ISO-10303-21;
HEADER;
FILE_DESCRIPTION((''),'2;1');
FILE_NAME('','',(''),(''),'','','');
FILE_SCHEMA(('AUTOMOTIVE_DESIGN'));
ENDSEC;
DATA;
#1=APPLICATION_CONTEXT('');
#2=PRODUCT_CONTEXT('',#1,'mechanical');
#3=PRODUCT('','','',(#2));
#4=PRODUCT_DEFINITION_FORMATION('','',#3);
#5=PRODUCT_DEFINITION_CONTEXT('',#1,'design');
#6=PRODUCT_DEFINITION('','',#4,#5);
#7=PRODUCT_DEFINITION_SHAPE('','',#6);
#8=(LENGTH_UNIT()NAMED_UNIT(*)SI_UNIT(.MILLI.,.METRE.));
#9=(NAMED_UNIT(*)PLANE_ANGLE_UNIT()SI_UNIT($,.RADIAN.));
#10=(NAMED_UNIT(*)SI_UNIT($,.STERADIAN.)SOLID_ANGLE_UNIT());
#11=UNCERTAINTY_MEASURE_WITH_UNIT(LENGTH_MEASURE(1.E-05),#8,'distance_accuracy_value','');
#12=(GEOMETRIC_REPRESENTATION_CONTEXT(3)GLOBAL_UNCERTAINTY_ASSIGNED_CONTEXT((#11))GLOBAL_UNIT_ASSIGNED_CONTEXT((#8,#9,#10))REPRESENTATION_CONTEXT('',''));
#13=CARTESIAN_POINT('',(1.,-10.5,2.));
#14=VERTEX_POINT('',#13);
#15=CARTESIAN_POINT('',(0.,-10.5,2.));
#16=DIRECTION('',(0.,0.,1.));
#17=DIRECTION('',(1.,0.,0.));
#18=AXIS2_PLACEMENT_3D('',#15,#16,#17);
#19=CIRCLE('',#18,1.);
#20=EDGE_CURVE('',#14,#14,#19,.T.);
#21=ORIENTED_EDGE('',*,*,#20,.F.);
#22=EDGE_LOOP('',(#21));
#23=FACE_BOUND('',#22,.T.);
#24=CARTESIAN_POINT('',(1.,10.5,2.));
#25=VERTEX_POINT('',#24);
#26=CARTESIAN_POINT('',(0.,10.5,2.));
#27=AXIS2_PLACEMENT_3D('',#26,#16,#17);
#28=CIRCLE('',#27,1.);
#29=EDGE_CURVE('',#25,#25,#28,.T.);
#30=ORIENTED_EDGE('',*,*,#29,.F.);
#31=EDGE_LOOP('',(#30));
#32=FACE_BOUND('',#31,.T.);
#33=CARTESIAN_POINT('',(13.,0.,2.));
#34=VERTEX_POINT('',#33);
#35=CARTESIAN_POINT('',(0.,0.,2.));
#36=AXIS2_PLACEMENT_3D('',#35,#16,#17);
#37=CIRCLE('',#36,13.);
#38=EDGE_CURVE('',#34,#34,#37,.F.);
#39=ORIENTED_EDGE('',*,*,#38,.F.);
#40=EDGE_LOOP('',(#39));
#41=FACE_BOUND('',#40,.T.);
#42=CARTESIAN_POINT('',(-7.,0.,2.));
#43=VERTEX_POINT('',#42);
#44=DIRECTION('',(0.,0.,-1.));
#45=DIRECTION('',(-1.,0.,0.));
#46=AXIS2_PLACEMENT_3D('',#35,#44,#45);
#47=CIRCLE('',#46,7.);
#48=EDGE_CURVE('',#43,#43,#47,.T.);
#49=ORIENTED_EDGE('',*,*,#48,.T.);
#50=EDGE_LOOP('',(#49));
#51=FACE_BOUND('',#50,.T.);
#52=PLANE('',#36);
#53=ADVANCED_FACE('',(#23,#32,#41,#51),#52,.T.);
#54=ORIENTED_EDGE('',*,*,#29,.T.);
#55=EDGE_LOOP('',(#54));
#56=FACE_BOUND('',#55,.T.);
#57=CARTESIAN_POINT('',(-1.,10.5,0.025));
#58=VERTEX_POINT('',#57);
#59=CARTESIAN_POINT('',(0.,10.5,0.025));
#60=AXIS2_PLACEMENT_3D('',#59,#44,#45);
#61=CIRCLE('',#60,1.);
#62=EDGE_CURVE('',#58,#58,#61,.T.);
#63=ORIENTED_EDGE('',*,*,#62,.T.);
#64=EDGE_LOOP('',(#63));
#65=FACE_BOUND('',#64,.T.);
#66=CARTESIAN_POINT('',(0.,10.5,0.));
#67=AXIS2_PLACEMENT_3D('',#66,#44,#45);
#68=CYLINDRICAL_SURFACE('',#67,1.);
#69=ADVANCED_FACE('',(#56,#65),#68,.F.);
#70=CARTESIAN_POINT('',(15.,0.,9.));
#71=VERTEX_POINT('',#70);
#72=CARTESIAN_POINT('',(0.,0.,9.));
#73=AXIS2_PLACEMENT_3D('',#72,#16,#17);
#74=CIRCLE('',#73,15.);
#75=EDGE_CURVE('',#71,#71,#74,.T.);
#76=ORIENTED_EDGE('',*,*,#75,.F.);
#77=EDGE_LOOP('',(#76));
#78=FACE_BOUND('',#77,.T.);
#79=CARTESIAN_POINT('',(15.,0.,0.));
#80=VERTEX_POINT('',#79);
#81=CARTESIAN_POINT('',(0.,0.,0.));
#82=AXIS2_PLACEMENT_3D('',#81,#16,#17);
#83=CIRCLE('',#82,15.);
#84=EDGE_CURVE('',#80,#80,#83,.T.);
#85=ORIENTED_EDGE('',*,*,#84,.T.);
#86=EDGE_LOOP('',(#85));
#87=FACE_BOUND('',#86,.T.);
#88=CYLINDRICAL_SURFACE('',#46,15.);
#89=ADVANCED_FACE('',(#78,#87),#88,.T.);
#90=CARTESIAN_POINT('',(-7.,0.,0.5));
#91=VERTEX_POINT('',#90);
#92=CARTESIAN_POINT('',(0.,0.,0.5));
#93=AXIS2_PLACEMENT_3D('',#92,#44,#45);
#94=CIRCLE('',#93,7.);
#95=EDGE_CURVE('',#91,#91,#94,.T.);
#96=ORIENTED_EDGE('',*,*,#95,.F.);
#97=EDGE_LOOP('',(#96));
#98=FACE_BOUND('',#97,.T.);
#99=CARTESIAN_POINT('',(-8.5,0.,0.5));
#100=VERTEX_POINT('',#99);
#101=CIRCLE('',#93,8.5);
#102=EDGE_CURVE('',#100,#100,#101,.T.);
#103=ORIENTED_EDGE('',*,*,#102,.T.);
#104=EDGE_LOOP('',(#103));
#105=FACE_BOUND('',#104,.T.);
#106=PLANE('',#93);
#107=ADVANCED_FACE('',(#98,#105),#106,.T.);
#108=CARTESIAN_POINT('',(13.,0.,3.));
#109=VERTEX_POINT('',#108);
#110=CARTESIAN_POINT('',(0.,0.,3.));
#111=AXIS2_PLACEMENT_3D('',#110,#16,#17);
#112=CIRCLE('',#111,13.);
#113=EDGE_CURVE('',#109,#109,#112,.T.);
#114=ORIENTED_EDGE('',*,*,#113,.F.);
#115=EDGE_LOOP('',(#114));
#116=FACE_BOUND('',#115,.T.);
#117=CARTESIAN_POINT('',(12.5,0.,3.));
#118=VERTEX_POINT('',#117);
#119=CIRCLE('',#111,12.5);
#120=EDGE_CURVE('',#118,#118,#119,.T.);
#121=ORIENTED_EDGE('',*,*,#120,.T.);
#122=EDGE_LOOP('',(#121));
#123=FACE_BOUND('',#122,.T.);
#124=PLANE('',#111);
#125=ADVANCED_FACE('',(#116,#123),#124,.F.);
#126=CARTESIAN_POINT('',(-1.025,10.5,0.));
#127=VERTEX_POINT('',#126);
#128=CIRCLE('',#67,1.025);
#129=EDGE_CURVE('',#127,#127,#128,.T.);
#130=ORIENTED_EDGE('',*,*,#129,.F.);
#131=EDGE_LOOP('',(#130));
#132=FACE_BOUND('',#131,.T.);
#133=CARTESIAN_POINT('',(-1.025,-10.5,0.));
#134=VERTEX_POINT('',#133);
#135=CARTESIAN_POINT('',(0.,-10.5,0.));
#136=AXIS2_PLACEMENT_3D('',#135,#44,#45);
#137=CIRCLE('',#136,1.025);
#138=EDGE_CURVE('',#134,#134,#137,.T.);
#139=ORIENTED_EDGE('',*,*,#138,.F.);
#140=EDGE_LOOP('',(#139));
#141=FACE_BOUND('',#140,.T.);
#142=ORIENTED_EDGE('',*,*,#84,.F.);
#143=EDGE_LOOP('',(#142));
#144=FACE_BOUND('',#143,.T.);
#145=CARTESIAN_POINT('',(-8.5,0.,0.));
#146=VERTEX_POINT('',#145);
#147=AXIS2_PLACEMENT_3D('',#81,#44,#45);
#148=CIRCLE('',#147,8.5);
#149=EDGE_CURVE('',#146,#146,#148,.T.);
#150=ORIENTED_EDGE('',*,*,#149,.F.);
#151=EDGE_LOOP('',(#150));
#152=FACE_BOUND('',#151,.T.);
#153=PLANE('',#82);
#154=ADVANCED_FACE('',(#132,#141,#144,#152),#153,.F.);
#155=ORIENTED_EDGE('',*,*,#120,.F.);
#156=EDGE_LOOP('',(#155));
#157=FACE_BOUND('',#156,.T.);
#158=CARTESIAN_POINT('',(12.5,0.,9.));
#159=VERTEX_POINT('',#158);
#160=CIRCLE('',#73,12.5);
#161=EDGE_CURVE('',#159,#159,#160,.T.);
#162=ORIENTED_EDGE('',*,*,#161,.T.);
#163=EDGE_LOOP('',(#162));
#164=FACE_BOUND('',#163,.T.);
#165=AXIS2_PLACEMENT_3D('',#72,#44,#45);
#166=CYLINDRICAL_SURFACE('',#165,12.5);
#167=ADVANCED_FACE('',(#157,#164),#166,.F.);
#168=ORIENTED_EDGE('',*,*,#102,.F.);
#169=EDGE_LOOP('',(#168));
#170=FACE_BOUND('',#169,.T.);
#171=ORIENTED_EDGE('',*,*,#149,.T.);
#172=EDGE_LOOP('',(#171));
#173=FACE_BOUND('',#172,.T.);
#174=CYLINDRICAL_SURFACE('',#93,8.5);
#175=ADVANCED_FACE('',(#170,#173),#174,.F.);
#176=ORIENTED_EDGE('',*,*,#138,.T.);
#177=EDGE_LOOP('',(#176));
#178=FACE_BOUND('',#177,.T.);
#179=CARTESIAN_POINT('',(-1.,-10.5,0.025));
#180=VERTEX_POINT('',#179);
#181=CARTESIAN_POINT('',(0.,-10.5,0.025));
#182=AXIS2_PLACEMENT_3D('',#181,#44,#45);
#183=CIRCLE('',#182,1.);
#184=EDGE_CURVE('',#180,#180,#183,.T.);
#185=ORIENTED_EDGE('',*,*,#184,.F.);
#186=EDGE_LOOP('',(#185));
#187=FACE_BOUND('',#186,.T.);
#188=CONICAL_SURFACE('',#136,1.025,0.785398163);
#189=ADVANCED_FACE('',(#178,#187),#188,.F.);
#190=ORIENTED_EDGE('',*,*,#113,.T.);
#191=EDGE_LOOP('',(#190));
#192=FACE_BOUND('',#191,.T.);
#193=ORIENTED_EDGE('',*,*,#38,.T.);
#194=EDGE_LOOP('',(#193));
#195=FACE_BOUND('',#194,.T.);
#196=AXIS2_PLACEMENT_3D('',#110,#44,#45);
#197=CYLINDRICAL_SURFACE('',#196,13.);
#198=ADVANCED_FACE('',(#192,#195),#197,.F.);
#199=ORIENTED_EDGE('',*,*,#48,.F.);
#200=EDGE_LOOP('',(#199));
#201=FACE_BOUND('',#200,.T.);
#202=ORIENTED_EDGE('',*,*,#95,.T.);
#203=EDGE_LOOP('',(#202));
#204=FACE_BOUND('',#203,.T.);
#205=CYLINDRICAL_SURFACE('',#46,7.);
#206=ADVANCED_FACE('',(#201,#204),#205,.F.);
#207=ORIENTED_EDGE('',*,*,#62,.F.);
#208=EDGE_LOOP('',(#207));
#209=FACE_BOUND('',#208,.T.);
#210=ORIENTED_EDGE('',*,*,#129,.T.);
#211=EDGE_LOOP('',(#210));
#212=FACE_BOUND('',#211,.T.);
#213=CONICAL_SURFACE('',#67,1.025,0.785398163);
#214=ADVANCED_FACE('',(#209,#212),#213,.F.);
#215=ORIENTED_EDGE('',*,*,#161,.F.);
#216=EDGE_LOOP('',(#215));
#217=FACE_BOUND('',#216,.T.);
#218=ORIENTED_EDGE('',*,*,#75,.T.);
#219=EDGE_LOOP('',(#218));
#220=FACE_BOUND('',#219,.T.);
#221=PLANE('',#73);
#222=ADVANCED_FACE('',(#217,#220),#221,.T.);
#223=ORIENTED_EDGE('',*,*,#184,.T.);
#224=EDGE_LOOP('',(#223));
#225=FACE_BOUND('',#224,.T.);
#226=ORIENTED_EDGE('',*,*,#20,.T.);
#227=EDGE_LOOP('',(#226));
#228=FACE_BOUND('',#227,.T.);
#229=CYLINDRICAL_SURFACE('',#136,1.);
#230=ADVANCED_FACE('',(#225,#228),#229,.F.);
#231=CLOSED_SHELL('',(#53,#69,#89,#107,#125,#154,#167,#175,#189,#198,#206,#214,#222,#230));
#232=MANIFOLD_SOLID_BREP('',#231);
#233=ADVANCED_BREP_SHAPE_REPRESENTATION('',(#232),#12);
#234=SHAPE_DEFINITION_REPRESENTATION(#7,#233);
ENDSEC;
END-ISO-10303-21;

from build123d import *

# Parameters (mm, degrees)
ESQUISSE1_R                             = 15
BOSS_EXTRU_1_DEPTH                      = 2
ESQUISSE2_R                             = 15
ESQUISSE2_R_2                           = 13
BOSS_EXTRU_2_DEPTH                      = 1
ESQUISSE3_R                             = 15
ESQUISSE3_R_2                           = 12.5
BOSS_EXTRU_3_DEPTH                      = 6
ESQUISSE5_R                             = 8.5
ENL_V_MAT_EXTRU_1_DEPTH                 = 0.5
ESQUISSE6_R                             = 7
ENL_V_MAT_EXTRU_2_DEPTH                 = 1.5
DIAM_TRE_DU_PER_AGE_2_0_2_1_D           = 2
DIAM_TRE_DU_PER_AGE_2_0_2_1_CSINK_D     = 2.05
DIAM_TRE_DU_PER_AGE_2_0_2_1_CSINK_ANGLE = 90


with BuildPart() as part:
    # Esquisse1 → Boss.-Extru.1 (new body)
    with BuildSketch(Plane.XY):
        Circle(ESQUISSE1_R)
    extrude(amount=BOSS_EXTRU_1_DEPTH)

    # Esquisse2 → Boss.-Extru.2 (add)
    with BuildSketch(Plane.XY.offset(2)):
        Circle(ESQUISSE2_R)
        Circle(ESQUISSE2_R_2, mode=Mode.SUBTRACT)
    extrude(amount=BOSS_EXTRU_2_DEPTH)

    # Esquisse3 → Boss.-Extru.3 (add)
    with BuildSketch(Plane.XY.offset(3)):
        Circle(ESQUISSE3_R)
        Circle(ESQUISSE3_R_2, mode=Mode.SUBTRACT)
    extrude(amount=BOSS_EXTRU_3_DEPTH)

    # Esquisse5 → Enlèv. mat.-Extru.1 (cut)
    with BuildSketch(Plane(origin=(0, 0, 0), x_dir=(-1, 0, 0), z_dir=(0, 0, -1))):
        Circle(ESQUISSE5_R)
    extrude(amount=-ENL_V_MAT_EXTRU_1_DEPTH, mode=Mode.SUBTRACT)

    # Esquisse6 → Enlèv. mat.-Extru.2 (cut)
    with BuildSketch(Plane(origin=(0, 0, 0.5), x_dir=(-1, 0, 0), z_dir=(0, 0, -1))):
        Circle(ESQUISSE6_R)
    extrude(amount=-ENL_V_MAT_EXTRU_2_DEPTH, mode=Mode.SUBTRACT)

    # Diamètre du perçage Ø2.0 (2)1 (through all)
    with Locations(Plane(origin=(0, 0, 0), x_dir=(-1, 0, 0), z_dir=(0, 0, -1))):
        with Locations((0, -10.5), (0, 10.5)):
            CounterSinkHole(DIAM_TRE_DU_PER_AGE_2_0_2_1_D / 2, DIAM_TRE_DU_PER_AGE_2_0_2_1_CSINK_D / 2, counter_sink_angle=DIAM_TRE_DU_PER_AGE_2_0_2_1_CSINK_ANGLE)


solid = part.part
